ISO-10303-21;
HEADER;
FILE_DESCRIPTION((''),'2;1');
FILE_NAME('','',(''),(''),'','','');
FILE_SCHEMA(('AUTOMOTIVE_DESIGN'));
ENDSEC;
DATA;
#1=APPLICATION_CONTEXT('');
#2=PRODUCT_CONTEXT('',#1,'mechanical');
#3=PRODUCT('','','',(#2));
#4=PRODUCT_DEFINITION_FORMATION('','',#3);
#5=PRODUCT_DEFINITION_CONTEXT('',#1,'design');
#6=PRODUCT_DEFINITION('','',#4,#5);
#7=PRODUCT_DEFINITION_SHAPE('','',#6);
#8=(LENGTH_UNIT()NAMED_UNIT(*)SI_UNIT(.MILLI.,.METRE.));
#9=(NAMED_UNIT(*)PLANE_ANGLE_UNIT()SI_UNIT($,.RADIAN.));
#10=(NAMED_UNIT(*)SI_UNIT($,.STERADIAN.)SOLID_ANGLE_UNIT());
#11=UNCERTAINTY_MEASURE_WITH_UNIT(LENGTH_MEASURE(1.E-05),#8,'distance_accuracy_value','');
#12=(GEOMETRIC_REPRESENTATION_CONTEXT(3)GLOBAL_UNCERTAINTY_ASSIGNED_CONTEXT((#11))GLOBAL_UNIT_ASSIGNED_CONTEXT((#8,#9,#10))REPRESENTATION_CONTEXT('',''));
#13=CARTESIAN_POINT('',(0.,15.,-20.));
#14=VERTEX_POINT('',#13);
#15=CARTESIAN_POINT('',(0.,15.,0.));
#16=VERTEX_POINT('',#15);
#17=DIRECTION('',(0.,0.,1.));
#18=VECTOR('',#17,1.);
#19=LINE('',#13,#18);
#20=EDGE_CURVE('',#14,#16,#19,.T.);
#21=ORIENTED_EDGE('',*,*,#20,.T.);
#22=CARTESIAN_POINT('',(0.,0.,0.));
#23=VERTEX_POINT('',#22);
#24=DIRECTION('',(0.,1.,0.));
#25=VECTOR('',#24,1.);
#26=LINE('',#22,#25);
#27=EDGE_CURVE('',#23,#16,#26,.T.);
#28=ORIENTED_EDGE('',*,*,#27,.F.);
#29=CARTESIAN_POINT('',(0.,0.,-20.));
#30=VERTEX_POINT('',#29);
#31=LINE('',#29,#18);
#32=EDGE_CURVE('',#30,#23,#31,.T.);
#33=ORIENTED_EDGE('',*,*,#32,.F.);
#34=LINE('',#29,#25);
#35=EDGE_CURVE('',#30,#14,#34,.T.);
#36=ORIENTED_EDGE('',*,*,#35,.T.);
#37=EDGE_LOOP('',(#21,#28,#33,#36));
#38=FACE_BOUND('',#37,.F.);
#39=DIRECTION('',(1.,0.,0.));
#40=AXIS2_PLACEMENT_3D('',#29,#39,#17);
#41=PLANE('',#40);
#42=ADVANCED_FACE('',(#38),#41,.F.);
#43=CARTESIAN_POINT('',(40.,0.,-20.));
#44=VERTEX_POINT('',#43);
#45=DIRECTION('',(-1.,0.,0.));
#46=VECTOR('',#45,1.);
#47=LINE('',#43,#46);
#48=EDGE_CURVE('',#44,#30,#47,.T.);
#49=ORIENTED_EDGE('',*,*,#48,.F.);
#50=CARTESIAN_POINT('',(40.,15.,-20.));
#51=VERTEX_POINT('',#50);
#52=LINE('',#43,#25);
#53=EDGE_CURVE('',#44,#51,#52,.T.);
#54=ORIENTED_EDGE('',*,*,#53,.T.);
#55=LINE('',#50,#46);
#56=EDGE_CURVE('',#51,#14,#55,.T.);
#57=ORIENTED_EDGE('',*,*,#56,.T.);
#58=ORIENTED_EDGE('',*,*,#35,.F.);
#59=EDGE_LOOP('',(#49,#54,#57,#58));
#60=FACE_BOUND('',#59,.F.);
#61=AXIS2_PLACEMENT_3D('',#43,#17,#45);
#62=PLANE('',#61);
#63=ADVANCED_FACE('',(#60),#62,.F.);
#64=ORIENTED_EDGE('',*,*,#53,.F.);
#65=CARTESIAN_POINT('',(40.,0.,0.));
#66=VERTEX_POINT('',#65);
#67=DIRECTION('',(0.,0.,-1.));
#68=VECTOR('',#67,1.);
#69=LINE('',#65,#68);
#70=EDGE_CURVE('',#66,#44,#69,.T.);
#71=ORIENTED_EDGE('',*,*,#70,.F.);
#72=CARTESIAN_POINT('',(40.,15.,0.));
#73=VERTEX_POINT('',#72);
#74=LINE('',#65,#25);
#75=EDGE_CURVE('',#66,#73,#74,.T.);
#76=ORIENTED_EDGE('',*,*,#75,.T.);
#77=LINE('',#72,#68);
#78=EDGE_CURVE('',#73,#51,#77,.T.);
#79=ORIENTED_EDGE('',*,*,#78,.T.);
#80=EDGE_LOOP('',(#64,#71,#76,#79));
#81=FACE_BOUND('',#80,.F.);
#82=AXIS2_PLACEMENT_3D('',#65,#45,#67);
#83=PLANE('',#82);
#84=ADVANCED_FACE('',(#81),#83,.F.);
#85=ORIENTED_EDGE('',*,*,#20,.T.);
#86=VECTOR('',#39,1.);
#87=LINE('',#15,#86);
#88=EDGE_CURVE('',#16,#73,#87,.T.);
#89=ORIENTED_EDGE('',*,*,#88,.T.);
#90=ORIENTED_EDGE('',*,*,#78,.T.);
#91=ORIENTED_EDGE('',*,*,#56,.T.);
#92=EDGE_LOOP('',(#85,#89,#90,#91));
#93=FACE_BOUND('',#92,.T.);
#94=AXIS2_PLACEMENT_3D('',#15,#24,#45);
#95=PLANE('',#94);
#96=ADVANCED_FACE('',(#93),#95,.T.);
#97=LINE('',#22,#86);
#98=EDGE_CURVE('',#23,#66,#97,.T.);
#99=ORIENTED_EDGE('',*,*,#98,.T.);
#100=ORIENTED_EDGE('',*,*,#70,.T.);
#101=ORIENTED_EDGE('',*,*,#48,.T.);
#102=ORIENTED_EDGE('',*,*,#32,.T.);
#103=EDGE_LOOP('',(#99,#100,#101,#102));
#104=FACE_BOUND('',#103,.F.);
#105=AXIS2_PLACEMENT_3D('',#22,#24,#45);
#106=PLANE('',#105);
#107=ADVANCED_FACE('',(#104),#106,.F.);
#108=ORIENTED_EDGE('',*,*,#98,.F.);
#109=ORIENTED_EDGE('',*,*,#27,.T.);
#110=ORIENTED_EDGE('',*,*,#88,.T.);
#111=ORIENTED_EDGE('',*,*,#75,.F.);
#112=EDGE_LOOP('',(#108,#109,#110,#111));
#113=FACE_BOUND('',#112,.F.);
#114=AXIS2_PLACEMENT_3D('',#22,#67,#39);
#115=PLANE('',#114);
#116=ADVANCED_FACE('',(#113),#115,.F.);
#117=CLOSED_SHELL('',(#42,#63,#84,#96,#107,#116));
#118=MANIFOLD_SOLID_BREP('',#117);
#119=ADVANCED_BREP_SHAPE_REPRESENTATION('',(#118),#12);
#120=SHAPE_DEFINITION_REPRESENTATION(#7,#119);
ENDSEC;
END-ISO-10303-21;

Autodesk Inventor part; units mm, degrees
ref_plane "YZ Plane" through (0, 0, 0) normal (1, 0, 0) x (0, 1, 0)
ref_plane "XZ Plane" through (0, 0, 0) normal (0, 1, 0) x (-1, 0, 0)
ref_plane "XY Plane" through (0, 0, 0) normal (0, 0, 1) x (1, 0, 0)
sketch "Sketch1" plane through (0, 0, 0) normal (0, 1, 0) x (-1, 0, 0)
  line L0 (0, 0) -> (-40, 0)
  line L1 (-40, 0) -> (-40, -20)
  line L2 (-40, -20) -> (0, -20)
  line L3 (0, -20) -> (0, 0)
  dimension "d0" = 40
  dimension "d1" = 20
extrude "Extrusion1" add sketch "Sketch1" along normal blind 15
properties part number "Mock I2C Bus"
